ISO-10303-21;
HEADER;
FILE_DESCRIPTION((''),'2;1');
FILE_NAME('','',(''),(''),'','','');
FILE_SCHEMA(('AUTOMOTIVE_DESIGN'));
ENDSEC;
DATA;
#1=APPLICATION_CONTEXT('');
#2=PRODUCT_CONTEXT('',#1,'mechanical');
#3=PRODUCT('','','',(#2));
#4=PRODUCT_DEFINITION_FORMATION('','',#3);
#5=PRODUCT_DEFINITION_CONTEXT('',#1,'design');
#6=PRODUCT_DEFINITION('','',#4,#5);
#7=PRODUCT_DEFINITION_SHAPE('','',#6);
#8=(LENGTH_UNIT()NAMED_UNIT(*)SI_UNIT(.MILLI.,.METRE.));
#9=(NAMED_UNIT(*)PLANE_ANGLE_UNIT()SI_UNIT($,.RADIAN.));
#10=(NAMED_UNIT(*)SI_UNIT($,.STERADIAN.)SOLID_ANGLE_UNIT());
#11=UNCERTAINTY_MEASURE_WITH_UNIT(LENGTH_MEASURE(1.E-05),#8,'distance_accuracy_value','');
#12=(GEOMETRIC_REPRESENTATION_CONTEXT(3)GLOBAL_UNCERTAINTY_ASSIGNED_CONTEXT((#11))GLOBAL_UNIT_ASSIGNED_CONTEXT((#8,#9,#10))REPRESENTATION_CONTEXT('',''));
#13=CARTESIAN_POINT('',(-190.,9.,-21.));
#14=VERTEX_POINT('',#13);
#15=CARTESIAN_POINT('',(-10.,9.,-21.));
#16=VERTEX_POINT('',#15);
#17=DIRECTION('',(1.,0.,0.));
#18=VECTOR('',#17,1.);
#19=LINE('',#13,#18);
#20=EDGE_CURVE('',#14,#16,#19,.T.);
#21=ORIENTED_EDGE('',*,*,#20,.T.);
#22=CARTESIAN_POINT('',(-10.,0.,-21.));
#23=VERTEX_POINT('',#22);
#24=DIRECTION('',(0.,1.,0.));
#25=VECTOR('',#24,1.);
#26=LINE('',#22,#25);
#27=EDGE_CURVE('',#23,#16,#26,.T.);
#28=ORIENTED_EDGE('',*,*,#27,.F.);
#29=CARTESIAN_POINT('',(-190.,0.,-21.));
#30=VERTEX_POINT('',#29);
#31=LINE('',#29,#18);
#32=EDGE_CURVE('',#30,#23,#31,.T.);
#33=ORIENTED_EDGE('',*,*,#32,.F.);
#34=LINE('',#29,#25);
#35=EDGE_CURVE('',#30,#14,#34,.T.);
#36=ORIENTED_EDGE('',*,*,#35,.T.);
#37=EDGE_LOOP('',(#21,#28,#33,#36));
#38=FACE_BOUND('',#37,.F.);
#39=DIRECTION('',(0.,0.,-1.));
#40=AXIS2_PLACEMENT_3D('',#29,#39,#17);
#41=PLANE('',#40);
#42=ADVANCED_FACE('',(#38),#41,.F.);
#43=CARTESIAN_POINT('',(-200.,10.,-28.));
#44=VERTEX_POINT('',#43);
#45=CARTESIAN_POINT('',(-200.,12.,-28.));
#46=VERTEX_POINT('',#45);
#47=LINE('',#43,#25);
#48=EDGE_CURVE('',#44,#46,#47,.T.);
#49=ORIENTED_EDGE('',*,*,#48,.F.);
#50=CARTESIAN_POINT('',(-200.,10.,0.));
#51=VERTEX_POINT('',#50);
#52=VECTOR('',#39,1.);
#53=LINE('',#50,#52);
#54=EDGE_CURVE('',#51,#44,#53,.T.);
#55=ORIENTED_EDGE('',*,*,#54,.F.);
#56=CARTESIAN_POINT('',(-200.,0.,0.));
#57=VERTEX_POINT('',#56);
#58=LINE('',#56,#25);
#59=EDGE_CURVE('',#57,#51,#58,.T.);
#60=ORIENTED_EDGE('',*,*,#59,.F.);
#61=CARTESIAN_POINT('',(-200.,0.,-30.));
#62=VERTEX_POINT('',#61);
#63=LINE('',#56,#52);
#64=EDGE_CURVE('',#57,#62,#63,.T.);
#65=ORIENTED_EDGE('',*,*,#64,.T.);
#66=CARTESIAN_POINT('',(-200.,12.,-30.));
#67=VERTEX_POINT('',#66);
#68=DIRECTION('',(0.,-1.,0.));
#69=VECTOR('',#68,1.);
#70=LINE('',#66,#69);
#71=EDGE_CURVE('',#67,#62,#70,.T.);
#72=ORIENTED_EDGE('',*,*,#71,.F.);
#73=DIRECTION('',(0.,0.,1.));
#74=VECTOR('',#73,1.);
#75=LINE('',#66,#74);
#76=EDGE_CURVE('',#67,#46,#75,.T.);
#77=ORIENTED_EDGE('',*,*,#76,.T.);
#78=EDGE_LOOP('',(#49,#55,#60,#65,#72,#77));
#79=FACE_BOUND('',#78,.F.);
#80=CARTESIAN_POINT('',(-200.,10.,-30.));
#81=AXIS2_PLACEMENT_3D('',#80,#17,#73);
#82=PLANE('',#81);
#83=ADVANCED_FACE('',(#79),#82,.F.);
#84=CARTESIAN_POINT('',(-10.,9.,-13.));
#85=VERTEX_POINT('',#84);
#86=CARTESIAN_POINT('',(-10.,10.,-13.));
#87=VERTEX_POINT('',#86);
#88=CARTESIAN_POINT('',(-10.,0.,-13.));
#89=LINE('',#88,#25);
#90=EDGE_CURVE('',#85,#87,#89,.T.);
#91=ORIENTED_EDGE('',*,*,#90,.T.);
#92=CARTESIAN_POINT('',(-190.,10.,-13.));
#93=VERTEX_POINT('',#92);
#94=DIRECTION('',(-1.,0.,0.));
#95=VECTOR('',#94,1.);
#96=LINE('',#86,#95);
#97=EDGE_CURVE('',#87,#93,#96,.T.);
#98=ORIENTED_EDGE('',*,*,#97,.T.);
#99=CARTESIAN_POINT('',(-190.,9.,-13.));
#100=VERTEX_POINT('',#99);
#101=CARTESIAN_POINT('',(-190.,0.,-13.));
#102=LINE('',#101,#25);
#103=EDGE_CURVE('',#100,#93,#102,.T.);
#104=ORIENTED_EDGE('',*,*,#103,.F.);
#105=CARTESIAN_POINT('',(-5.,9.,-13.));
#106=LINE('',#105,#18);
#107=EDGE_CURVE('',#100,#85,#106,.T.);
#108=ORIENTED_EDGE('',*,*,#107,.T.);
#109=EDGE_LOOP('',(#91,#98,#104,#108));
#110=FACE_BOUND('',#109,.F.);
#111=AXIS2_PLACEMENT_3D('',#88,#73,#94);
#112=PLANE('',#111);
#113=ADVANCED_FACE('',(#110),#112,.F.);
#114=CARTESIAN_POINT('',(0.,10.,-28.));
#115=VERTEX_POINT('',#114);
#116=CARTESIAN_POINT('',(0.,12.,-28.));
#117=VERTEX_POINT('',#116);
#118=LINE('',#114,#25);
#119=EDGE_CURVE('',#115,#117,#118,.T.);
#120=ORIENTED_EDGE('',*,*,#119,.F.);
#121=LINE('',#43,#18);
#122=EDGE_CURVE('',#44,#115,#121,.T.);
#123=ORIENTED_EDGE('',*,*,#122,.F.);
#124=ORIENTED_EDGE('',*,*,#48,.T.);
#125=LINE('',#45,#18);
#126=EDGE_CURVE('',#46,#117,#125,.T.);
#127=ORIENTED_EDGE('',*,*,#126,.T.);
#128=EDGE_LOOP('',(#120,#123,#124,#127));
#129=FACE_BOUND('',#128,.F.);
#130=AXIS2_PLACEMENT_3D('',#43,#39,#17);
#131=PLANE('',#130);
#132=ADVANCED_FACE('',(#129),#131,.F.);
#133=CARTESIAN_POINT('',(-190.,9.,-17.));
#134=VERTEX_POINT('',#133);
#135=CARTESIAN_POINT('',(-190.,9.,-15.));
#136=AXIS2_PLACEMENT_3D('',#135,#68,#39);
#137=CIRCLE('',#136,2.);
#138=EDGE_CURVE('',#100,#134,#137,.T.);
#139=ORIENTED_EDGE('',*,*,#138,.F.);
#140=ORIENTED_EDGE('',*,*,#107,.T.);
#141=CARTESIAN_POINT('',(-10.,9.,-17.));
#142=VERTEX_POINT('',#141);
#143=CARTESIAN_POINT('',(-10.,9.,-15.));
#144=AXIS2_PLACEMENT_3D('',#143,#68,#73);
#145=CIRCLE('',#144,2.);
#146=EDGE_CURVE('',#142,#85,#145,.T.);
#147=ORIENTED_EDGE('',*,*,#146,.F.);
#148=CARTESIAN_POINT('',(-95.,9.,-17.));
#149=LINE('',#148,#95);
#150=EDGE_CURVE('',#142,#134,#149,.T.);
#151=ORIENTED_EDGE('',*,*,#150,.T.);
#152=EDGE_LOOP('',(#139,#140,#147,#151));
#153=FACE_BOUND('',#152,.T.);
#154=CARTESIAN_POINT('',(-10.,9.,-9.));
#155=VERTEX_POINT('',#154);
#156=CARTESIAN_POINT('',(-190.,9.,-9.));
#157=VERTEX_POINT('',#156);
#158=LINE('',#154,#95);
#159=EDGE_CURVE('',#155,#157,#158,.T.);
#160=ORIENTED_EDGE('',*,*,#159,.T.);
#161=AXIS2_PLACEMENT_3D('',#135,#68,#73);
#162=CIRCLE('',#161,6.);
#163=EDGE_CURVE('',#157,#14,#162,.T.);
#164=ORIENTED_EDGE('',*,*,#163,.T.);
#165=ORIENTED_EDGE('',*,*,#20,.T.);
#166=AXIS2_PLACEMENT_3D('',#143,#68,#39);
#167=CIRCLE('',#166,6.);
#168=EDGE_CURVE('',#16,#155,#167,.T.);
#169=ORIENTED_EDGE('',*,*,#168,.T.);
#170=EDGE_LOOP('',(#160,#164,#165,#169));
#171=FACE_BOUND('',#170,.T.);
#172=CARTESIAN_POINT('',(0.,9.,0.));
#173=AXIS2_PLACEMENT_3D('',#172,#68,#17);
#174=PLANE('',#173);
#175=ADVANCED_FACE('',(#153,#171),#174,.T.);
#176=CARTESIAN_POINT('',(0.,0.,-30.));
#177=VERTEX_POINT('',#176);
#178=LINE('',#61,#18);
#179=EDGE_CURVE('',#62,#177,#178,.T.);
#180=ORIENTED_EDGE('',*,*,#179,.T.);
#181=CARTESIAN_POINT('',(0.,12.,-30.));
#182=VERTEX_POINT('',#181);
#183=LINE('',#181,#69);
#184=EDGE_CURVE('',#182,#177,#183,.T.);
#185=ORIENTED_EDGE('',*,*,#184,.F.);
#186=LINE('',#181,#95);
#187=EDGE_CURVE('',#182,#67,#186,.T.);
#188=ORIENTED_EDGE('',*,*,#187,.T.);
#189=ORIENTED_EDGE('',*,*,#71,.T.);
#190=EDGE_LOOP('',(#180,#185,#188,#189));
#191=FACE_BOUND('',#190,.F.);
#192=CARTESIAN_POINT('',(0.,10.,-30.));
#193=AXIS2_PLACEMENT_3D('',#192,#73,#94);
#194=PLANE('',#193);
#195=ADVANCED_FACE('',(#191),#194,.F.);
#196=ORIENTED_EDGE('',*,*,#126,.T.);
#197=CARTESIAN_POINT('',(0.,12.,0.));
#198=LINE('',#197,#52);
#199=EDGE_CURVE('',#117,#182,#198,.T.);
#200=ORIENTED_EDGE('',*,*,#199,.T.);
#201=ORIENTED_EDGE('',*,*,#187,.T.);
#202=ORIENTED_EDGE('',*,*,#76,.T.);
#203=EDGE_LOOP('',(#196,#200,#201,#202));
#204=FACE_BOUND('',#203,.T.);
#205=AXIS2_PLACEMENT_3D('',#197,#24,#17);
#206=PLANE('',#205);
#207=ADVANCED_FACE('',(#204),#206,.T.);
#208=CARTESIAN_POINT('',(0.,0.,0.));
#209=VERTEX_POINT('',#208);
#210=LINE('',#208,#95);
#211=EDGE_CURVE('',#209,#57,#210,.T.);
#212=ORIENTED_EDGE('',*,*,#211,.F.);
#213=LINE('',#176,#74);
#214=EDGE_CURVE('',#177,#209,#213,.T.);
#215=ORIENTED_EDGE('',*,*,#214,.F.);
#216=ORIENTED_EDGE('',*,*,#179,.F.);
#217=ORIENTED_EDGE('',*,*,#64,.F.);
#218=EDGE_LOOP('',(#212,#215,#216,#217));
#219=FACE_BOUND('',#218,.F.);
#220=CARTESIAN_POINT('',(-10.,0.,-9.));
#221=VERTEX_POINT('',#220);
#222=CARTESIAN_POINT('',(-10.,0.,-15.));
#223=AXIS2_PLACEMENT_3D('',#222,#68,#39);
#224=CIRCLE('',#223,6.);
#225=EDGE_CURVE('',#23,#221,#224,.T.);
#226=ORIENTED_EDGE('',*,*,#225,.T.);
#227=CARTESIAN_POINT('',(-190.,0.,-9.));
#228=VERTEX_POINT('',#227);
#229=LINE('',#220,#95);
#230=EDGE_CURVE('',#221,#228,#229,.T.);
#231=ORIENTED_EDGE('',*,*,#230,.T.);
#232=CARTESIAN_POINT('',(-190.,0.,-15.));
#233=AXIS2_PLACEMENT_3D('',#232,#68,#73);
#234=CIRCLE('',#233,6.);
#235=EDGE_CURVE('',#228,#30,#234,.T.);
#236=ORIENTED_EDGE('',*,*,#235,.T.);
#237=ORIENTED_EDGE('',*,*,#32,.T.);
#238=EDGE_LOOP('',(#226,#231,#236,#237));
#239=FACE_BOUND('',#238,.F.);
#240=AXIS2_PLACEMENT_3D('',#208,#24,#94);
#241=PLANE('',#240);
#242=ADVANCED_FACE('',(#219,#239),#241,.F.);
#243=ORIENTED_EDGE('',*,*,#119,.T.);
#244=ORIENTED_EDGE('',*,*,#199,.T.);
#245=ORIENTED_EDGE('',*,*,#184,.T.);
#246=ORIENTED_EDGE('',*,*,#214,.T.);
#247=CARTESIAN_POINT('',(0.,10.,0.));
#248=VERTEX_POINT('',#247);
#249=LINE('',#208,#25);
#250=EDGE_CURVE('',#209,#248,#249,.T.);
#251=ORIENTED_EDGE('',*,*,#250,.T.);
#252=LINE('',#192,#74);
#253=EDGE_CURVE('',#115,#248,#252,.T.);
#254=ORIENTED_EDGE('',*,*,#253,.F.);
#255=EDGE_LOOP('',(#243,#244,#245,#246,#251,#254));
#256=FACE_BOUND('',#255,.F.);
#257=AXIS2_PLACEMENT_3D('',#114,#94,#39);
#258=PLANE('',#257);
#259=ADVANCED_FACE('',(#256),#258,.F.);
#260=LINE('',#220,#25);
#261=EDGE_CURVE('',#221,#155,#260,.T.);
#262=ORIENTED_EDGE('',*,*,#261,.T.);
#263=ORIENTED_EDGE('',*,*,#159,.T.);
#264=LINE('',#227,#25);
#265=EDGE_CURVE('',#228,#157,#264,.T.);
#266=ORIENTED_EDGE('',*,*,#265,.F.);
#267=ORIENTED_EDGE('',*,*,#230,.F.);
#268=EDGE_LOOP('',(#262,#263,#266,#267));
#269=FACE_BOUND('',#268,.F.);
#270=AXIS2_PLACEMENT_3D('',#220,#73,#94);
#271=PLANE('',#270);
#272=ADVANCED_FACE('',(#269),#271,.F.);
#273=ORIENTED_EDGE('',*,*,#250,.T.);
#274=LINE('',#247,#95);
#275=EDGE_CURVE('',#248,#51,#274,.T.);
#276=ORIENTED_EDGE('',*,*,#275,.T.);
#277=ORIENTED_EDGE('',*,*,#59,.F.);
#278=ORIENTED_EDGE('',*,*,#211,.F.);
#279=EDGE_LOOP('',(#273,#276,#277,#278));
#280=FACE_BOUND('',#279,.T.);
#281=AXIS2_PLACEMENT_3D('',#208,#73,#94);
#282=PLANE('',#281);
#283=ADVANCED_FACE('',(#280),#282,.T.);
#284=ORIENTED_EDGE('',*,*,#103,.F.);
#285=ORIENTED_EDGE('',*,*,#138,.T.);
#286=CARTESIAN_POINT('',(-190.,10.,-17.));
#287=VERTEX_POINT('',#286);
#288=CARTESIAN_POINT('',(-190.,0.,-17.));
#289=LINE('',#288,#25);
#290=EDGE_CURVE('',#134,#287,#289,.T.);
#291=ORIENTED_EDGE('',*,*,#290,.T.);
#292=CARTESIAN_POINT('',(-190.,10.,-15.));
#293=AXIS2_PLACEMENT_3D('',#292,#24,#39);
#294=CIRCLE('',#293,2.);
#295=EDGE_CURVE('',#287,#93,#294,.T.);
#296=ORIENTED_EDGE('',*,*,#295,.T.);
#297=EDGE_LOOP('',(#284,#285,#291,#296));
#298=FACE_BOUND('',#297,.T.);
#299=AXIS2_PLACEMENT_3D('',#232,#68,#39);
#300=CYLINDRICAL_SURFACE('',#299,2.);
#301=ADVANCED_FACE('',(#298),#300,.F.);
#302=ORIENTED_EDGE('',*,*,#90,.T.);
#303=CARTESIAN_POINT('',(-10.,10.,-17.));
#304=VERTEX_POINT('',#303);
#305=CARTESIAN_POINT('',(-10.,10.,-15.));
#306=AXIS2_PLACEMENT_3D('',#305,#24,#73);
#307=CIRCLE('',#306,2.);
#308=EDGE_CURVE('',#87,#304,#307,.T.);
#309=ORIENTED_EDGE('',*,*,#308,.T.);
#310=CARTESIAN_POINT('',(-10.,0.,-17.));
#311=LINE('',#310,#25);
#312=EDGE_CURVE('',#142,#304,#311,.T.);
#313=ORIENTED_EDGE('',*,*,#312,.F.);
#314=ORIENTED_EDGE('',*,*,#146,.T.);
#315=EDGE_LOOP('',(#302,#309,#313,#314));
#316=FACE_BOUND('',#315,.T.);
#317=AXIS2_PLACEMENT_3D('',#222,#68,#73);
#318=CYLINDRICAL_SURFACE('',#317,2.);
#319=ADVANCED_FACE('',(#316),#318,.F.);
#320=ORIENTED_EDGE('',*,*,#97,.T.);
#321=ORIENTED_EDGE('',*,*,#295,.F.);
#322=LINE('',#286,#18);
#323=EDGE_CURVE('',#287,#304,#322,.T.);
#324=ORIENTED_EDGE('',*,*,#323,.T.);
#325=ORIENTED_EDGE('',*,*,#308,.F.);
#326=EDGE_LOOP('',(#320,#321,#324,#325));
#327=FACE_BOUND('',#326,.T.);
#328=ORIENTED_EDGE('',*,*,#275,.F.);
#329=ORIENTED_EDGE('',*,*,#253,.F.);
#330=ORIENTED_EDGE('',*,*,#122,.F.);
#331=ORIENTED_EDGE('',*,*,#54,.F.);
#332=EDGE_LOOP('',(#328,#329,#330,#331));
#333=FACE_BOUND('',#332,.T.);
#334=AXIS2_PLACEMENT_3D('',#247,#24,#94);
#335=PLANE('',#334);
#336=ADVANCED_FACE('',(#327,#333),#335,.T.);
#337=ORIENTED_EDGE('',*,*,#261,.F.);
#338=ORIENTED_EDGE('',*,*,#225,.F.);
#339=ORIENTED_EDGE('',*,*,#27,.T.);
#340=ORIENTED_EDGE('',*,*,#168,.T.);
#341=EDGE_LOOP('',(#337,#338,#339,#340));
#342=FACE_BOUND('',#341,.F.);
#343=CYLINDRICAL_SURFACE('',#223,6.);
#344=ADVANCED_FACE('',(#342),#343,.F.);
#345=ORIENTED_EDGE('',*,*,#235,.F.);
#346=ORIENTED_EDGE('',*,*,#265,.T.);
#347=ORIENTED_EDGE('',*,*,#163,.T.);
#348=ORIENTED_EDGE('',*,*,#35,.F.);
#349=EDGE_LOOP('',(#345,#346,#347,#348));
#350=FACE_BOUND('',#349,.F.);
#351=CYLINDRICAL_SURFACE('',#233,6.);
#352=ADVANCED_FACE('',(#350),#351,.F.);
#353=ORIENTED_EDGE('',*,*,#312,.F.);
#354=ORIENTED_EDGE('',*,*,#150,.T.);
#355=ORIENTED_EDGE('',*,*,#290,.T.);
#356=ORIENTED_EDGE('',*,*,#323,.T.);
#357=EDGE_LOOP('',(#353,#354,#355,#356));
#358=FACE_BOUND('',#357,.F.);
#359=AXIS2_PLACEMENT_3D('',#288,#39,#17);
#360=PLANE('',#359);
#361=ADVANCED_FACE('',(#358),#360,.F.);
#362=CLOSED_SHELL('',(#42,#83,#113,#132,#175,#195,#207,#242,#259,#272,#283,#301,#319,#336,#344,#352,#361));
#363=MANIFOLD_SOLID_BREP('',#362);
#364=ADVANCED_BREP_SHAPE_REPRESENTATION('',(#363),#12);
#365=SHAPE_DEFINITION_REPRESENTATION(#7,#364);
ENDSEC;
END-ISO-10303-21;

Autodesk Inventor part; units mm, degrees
ref_plane "YZ Plane" through (0, 0, 0) normal (1, 0, 0) x (0, 1, 0)
ref_plane "XZ Plane" through (0, 0, 0) normal (0, 1, 0) x (-1, 0, 0)
ref_plane "XY Plane" through (0, 0, 0) normal (0, 0, 1) x (1, 0, 0)
sketch "Sketch1" plane through (0, 0, 0) normal (0, 1, 0) x (-1, 0, 0)
  line L0 (0, 0) -> (200, 0)
  line L1 (200, 0) -> (200, -30)
  line L2 (200, -30) -> (0, -30)
  line L3 (0, -30) -> (0, 0)
  line L4 (10, -15) -> (190, -15) construction
  line L5 (10, -13) -> (190, -13)
  line L6 (190, -17) -> (10, -17)
  arc A0 (10, -13) -> (10, -17) centre (10, -15) ccw
  arc A1 (190, -17) -> (190, -13) centre (190, -15) ccw
  point P0 (100, -15)
  dimension "d0" = 200
  dimension "d1" = 30
  dimension "d2" = 2
  dimension "d3" = 180
  dimension "d4" = 10
  dimension "d5" = 15
extrude "Extrusion1" add sketch "Sketch1" along normal blind 10
sketch "Sketch2" plane through (0, 0, 0) normal (0, -1, 0) x (1, 0, 0)
  arc A0 (-190, -13) -> (-190, -17) centre (-190, -15) ccw projected
  line L0 (-190, -15) -> (-10, -15) construction
  line L1 (-190, -17) -> (-10, -17) projected
  line L2 (-190, -21) -> (-10, -21)
  line L3 (-10, -9) -> (-190, -9)
  arc A1 (-190, -9) -> (-190, -21) centre (-190, -15) ccw
  arc A2 (-10, -21) -> (-10, -9) centre (-10, -15) ccw
  arc A3 (-10, -17) -> (-10, -13) centre (-10, -15) ccw projected
  point P0 (0, 0)
  point P1 (-100, -15)
  dimension "d10" = 12
extrude "Extrusion2" cut sketch "Sketch2" against normal blind 9
sketch "Sketch3" plane through (0, 10, 0) normal (0, 1, 0) x (1, 0, 0)
  line L0 (-200, 0) -> (0, 0) projected
  line L1 (0, 0) -> (0, 30) projected
  line L2 (0, 30) -> (-200, 30) projected
  line L3 (-200, 30) -> (-200, 0) projected
  line L4 (0, 30) -> (-200, 30)
  line L5 (-200, 30) -> (-200, 28)
  line L6 (-200, 28) -> (0, 28)
  line L7 (0, 28) -> (0, 30)
  point P0 (0, 28)
  dimension "d20" = 2
extrude "Extrusion3" add sketch "Sketch3" along normal blind 2 contours L3 L2 L1 L6
equation "\"d3\" = d0 - 2 * d4"
equation "\"d5\" = 0.5 * d1"
properties part number "SolderSupport" material "Aluminum"
